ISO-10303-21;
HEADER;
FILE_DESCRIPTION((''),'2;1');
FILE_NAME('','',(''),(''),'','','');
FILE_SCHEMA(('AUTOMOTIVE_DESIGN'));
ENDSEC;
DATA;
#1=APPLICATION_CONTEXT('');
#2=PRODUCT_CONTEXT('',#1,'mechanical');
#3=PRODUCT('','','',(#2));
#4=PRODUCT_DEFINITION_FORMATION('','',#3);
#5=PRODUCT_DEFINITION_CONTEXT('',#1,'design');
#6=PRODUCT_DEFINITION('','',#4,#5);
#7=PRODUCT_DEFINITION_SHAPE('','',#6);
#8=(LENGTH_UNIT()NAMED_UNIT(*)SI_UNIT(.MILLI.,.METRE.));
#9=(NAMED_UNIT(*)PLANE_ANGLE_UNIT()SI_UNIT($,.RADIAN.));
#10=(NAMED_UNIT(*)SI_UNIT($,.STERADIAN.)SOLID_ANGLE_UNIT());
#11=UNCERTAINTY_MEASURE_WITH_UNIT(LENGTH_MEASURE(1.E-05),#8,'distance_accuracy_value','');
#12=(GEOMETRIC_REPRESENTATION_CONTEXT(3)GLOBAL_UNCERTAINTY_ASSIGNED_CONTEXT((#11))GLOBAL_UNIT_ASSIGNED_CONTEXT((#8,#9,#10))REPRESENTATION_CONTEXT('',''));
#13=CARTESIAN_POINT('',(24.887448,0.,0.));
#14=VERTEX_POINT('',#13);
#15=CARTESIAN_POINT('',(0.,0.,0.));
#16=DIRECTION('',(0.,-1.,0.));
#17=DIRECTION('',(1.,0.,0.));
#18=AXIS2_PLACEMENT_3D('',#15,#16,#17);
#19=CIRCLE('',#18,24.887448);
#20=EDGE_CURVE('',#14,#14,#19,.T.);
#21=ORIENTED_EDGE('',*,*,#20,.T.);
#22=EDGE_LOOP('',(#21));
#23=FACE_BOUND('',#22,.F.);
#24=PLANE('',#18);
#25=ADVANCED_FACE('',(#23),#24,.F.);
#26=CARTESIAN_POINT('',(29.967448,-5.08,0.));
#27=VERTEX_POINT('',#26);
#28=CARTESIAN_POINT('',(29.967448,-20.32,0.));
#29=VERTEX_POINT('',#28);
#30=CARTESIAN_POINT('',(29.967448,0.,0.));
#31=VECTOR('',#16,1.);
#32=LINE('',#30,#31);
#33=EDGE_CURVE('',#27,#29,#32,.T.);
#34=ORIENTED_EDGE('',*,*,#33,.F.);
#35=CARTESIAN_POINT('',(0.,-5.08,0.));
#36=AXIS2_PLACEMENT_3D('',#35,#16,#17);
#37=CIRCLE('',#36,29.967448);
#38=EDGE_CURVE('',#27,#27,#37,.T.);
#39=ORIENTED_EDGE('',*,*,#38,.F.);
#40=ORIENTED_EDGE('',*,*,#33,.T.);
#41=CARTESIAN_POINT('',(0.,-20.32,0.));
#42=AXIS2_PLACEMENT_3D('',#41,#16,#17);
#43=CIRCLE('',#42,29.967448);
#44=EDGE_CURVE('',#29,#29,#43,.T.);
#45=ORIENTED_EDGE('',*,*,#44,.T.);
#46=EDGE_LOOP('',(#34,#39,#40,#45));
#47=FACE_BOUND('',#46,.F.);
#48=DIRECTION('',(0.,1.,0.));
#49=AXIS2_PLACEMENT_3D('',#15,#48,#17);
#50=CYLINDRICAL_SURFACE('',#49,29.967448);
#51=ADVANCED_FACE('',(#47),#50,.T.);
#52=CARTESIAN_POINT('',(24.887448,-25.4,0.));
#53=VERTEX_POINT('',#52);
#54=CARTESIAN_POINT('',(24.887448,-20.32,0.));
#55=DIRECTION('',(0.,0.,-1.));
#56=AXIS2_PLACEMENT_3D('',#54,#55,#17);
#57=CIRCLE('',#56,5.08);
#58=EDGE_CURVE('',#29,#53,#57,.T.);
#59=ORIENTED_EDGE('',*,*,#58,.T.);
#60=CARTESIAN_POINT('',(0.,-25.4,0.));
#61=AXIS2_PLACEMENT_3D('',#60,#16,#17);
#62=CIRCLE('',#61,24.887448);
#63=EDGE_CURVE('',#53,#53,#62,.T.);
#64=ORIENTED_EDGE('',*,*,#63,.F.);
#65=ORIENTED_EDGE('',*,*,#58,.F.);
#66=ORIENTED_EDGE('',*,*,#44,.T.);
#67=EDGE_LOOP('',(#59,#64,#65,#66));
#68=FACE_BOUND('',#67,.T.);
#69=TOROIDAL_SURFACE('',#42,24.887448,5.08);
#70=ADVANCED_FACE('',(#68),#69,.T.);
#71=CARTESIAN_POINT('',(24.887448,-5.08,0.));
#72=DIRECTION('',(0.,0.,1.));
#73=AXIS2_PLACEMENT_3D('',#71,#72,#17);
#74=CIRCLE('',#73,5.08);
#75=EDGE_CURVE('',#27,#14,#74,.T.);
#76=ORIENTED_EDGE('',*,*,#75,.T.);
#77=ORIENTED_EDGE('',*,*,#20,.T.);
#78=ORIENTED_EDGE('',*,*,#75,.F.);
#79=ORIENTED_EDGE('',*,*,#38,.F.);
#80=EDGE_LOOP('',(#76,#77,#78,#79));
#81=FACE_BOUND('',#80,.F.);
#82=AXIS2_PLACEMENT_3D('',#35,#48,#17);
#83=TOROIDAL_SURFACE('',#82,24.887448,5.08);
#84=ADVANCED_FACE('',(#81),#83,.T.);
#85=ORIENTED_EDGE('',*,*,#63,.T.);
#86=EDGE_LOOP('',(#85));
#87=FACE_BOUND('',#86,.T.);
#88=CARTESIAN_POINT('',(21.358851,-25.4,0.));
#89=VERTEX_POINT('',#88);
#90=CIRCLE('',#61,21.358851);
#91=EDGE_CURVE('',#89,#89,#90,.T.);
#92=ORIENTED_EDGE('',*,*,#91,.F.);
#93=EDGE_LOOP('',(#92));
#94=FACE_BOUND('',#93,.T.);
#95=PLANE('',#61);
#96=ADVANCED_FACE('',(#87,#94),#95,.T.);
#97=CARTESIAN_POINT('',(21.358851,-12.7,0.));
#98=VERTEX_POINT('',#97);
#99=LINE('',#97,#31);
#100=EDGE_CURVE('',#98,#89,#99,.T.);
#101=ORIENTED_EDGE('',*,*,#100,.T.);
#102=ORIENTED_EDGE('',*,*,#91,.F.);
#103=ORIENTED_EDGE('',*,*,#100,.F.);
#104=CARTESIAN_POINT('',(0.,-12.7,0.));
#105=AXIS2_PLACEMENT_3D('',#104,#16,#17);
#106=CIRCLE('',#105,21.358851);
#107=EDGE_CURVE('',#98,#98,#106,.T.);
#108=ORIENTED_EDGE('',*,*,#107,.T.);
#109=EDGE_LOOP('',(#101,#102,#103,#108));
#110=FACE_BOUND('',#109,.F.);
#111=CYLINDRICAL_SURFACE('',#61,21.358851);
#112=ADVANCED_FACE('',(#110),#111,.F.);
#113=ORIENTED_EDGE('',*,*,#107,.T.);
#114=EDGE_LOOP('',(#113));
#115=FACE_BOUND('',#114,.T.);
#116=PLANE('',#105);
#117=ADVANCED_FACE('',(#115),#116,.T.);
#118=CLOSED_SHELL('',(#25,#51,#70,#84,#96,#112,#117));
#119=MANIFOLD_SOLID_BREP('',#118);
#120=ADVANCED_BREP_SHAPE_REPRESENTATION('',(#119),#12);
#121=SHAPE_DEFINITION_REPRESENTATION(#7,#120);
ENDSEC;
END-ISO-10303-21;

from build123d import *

# Parameters (mm, degrees)
F0_R     = 29.967448
F1_DEPTH = 25.4
F2_R     = 5.08
F3_R     = 21.358851
F4_DEPTH = 12.7


with BuildPart() as f1:
    # F0 (on Front) → F1 (new body)
    with BuildSketch(Plane.XZ):
        Circle(F0_R)
    extrude(amount=F1_DEPTH)

    # F2
    f2_edges = [f1.edges().sort_by_distance(p)[0] for p in [
        (-29.967448, 0, 0),
        (-29.967448, -25.4, 0),
    ]]
    fillet(f2_edges, radius=F2_R)

    # F3 (on face) → F4 (cut, symmetric)
    with BuildSketch(Plane.XZ.offset(25.4)):
        Circle(F3_R)
    extrude(amount=F4_DEPTH, both=True, mode=Mode.SUBTRACT)


solid = f1.part
